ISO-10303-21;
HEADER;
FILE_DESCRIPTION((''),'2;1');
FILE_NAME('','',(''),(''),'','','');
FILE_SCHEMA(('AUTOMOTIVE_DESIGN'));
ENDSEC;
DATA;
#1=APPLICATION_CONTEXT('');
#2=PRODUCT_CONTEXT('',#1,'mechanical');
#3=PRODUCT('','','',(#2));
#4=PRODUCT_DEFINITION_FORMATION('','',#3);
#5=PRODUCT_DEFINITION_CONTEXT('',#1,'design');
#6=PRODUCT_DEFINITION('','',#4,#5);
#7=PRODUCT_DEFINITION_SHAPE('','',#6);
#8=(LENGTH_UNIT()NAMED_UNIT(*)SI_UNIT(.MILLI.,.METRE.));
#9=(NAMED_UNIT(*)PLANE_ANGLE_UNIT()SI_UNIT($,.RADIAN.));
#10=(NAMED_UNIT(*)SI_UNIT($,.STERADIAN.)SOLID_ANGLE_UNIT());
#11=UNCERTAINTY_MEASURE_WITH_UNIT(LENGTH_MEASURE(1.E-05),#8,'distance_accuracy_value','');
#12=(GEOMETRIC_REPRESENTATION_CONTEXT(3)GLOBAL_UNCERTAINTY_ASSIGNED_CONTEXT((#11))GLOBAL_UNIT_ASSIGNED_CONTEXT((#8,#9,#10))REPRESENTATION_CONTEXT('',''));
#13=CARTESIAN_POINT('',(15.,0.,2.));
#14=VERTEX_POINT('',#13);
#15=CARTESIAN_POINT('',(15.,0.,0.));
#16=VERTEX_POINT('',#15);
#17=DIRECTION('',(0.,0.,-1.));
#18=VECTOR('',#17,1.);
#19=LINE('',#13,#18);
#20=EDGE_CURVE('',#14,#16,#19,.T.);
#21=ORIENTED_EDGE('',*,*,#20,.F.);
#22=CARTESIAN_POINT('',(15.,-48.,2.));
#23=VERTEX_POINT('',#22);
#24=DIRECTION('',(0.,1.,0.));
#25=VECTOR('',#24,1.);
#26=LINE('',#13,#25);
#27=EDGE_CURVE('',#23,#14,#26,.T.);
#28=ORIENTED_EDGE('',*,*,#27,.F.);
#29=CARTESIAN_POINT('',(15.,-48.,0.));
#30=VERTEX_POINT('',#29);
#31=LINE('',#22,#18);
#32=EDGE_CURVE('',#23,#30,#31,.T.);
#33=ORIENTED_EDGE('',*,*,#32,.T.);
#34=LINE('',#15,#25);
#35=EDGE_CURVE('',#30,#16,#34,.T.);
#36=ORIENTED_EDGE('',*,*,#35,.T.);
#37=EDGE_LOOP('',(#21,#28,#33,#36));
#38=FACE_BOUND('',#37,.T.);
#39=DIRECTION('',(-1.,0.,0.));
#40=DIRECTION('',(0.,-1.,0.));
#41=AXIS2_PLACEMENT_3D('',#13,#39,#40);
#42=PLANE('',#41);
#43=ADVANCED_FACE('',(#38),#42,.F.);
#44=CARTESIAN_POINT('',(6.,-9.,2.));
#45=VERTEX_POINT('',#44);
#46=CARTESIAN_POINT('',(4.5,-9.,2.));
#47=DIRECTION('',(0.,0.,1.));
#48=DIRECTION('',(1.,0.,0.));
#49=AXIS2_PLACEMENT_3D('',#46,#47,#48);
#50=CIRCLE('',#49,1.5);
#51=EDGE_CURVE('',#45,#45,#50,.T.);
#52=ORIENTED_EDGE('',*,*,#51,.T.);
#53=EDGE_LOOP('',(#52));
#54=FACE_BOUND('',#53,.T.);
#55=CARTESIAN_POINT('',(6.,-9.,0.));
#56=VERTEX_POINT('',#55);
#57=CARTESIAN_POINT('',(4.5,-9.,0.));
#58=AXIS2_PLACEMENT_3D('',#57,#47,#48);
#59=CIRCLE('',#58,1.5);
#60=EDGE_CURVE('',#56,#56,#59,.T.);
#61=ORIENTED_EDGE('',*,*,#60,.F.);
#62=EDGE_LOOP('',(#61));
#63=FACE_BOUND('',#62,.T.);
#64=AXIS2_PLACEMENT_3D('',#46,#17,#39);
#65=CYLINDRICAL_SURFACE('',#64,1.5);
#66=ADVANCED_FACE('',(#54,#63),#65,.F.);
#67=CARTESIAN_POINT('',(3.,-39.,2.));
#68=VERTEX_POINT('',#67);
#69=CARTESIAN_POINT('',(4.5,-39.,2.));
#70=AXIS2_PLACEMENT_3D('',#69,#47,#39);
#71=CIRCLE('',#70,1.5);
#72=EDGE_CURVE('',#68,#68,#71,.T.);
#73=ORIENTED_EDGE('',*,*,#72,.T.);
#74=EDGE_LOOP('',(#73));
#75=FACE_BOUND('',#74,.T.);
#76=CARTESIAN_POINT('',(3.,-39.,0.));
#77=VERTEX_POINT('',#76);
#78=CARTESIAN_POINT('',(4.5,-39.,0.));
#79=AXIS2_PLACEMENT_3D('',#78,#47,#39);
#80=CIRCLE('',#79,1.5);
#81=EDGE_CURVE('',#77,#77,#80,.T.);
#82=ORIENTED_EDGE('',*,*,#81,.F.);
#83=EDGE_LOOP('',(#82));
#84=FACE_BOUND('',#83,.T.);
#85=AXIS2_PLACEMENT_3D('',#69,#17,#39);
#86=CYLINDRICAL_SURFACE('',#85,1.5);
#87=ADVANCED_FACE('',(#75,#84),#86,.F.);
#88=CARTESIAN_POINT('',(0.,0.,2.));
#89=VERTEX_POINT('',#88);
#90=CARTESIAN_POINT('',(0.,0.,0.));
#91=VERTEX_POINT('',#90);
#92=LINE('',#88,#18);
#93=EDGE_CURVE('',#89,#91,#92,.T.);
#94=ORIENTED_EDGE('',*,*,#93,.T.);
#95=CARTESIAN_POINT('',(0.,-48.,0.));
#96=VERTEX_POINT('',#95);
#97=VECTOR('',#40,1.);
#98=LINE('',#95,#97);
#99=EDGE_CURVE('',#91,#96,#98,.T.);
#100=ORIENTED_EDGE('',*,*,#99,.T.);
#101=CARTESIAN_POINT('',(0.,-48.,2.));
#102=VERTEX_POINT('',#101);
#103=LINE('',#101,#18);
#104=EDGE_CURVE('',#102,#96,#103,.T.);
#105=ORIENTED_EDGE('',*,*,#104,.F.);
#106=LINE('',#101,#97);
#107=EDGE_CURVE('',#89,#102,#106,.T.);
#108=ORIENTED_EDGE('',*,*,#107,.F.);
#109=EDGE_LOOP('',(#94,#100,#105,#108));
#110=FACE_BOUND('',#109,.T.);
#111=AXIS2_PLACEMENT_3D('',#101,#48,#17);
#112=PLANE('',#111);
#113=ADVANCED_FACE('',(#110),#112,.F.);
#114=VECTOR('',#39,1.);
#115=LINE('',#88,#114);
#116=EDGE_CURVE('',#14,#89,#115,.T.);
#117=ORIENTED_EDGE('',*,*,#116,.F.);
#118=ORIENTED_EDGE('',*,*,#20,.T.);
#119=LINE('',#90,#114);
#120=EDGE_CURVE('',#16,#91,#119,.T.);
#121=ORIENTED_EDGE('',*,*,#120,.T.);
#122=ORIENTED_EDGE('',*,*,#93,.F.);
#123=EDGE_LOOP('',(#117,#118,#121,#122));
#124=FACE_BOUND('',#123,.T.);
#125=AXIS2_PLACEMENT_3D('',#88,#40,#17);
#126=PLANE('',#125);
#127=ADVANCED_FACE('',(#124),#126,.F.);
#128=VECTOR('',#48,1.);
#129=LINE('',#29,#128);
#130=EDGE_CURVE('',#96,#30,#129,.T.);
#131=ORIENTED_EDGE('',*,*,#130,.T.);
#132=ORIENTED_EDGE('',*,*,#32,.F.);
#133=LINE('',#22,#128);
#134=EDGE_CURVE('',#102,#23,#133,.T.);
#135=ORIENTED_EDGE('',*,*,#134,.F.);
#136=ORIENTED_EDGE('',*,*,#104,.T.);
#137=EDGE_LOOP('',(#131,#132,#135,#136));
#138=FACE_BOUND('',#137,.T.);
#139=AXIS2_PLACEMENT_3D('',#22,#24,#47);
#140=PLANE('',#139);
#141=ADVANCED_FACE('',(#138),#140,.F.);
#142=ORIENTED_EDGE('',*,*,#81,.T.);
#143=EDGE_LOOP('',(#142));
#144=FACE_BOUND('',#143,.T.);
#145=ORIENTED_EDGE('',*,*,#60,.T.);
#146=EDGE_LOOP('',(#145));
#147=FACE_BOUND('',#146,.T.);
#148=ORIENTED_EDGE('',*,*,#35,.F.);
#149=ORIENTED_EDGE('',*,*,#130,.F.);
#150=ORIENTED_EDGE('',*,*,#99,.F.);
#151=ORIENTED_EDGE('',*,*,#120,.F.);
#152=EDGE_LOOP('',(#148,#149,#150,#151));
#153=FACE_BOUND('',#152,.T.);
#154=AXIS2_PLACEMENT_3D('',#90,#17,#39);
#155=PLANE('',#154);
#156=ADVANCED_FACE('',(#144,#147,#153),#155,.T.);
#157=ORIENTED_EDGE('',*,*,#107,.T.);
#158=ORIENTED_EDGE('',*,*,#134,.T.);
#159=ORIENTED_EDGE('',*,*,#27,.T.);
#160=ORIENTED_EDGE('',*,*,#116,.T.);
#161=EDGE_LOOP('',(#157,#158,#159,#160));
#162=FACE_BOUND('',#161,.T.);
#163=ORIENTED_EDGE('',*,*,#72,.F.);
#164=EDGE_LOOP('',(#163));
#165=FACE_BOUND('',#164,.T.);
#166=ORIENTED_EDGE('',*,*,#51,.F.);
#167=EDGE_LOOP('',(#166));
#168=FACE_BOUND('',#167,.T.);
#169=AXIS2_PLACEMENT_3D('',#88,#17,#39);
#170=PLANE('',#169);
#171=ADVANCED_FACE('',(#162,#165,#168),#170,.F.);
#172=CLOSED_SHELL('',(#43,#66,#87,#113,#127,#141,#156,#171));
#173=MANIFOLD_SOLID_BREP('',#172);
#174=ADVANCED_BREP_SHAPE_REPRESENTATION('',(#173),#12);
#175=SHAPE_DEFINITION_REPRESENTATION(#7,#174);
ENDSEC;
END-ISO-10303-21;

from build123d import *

# Parameters (mm, degrees)
ESQUISSE1_W      = 15
ESQUISSE1_H      = 48
ESQUISSE1_R      = 1.5
EXTRUSION1_DEPTH = 2


with BuildPart() as part:
    # Esquisse1 → Extrusion1 (new body)
    with BuildSketch(Plane.XY):
        with Locations((7.5, -24)):
            Rectangle(ESQUISSE1_W, ESQUISSE1_H)
        with Locations((4.5, -9)):
            Circle(ESQUISSE1_R, mode=Mode.SUBTRACT)
        with Locations((4.5, -39)):
            Circle(ESQUISSE1_R, mode=Mode.SUBTRACT)
    extrude(amount=EXTRUSION1_DEPTH)


solid = part.part
